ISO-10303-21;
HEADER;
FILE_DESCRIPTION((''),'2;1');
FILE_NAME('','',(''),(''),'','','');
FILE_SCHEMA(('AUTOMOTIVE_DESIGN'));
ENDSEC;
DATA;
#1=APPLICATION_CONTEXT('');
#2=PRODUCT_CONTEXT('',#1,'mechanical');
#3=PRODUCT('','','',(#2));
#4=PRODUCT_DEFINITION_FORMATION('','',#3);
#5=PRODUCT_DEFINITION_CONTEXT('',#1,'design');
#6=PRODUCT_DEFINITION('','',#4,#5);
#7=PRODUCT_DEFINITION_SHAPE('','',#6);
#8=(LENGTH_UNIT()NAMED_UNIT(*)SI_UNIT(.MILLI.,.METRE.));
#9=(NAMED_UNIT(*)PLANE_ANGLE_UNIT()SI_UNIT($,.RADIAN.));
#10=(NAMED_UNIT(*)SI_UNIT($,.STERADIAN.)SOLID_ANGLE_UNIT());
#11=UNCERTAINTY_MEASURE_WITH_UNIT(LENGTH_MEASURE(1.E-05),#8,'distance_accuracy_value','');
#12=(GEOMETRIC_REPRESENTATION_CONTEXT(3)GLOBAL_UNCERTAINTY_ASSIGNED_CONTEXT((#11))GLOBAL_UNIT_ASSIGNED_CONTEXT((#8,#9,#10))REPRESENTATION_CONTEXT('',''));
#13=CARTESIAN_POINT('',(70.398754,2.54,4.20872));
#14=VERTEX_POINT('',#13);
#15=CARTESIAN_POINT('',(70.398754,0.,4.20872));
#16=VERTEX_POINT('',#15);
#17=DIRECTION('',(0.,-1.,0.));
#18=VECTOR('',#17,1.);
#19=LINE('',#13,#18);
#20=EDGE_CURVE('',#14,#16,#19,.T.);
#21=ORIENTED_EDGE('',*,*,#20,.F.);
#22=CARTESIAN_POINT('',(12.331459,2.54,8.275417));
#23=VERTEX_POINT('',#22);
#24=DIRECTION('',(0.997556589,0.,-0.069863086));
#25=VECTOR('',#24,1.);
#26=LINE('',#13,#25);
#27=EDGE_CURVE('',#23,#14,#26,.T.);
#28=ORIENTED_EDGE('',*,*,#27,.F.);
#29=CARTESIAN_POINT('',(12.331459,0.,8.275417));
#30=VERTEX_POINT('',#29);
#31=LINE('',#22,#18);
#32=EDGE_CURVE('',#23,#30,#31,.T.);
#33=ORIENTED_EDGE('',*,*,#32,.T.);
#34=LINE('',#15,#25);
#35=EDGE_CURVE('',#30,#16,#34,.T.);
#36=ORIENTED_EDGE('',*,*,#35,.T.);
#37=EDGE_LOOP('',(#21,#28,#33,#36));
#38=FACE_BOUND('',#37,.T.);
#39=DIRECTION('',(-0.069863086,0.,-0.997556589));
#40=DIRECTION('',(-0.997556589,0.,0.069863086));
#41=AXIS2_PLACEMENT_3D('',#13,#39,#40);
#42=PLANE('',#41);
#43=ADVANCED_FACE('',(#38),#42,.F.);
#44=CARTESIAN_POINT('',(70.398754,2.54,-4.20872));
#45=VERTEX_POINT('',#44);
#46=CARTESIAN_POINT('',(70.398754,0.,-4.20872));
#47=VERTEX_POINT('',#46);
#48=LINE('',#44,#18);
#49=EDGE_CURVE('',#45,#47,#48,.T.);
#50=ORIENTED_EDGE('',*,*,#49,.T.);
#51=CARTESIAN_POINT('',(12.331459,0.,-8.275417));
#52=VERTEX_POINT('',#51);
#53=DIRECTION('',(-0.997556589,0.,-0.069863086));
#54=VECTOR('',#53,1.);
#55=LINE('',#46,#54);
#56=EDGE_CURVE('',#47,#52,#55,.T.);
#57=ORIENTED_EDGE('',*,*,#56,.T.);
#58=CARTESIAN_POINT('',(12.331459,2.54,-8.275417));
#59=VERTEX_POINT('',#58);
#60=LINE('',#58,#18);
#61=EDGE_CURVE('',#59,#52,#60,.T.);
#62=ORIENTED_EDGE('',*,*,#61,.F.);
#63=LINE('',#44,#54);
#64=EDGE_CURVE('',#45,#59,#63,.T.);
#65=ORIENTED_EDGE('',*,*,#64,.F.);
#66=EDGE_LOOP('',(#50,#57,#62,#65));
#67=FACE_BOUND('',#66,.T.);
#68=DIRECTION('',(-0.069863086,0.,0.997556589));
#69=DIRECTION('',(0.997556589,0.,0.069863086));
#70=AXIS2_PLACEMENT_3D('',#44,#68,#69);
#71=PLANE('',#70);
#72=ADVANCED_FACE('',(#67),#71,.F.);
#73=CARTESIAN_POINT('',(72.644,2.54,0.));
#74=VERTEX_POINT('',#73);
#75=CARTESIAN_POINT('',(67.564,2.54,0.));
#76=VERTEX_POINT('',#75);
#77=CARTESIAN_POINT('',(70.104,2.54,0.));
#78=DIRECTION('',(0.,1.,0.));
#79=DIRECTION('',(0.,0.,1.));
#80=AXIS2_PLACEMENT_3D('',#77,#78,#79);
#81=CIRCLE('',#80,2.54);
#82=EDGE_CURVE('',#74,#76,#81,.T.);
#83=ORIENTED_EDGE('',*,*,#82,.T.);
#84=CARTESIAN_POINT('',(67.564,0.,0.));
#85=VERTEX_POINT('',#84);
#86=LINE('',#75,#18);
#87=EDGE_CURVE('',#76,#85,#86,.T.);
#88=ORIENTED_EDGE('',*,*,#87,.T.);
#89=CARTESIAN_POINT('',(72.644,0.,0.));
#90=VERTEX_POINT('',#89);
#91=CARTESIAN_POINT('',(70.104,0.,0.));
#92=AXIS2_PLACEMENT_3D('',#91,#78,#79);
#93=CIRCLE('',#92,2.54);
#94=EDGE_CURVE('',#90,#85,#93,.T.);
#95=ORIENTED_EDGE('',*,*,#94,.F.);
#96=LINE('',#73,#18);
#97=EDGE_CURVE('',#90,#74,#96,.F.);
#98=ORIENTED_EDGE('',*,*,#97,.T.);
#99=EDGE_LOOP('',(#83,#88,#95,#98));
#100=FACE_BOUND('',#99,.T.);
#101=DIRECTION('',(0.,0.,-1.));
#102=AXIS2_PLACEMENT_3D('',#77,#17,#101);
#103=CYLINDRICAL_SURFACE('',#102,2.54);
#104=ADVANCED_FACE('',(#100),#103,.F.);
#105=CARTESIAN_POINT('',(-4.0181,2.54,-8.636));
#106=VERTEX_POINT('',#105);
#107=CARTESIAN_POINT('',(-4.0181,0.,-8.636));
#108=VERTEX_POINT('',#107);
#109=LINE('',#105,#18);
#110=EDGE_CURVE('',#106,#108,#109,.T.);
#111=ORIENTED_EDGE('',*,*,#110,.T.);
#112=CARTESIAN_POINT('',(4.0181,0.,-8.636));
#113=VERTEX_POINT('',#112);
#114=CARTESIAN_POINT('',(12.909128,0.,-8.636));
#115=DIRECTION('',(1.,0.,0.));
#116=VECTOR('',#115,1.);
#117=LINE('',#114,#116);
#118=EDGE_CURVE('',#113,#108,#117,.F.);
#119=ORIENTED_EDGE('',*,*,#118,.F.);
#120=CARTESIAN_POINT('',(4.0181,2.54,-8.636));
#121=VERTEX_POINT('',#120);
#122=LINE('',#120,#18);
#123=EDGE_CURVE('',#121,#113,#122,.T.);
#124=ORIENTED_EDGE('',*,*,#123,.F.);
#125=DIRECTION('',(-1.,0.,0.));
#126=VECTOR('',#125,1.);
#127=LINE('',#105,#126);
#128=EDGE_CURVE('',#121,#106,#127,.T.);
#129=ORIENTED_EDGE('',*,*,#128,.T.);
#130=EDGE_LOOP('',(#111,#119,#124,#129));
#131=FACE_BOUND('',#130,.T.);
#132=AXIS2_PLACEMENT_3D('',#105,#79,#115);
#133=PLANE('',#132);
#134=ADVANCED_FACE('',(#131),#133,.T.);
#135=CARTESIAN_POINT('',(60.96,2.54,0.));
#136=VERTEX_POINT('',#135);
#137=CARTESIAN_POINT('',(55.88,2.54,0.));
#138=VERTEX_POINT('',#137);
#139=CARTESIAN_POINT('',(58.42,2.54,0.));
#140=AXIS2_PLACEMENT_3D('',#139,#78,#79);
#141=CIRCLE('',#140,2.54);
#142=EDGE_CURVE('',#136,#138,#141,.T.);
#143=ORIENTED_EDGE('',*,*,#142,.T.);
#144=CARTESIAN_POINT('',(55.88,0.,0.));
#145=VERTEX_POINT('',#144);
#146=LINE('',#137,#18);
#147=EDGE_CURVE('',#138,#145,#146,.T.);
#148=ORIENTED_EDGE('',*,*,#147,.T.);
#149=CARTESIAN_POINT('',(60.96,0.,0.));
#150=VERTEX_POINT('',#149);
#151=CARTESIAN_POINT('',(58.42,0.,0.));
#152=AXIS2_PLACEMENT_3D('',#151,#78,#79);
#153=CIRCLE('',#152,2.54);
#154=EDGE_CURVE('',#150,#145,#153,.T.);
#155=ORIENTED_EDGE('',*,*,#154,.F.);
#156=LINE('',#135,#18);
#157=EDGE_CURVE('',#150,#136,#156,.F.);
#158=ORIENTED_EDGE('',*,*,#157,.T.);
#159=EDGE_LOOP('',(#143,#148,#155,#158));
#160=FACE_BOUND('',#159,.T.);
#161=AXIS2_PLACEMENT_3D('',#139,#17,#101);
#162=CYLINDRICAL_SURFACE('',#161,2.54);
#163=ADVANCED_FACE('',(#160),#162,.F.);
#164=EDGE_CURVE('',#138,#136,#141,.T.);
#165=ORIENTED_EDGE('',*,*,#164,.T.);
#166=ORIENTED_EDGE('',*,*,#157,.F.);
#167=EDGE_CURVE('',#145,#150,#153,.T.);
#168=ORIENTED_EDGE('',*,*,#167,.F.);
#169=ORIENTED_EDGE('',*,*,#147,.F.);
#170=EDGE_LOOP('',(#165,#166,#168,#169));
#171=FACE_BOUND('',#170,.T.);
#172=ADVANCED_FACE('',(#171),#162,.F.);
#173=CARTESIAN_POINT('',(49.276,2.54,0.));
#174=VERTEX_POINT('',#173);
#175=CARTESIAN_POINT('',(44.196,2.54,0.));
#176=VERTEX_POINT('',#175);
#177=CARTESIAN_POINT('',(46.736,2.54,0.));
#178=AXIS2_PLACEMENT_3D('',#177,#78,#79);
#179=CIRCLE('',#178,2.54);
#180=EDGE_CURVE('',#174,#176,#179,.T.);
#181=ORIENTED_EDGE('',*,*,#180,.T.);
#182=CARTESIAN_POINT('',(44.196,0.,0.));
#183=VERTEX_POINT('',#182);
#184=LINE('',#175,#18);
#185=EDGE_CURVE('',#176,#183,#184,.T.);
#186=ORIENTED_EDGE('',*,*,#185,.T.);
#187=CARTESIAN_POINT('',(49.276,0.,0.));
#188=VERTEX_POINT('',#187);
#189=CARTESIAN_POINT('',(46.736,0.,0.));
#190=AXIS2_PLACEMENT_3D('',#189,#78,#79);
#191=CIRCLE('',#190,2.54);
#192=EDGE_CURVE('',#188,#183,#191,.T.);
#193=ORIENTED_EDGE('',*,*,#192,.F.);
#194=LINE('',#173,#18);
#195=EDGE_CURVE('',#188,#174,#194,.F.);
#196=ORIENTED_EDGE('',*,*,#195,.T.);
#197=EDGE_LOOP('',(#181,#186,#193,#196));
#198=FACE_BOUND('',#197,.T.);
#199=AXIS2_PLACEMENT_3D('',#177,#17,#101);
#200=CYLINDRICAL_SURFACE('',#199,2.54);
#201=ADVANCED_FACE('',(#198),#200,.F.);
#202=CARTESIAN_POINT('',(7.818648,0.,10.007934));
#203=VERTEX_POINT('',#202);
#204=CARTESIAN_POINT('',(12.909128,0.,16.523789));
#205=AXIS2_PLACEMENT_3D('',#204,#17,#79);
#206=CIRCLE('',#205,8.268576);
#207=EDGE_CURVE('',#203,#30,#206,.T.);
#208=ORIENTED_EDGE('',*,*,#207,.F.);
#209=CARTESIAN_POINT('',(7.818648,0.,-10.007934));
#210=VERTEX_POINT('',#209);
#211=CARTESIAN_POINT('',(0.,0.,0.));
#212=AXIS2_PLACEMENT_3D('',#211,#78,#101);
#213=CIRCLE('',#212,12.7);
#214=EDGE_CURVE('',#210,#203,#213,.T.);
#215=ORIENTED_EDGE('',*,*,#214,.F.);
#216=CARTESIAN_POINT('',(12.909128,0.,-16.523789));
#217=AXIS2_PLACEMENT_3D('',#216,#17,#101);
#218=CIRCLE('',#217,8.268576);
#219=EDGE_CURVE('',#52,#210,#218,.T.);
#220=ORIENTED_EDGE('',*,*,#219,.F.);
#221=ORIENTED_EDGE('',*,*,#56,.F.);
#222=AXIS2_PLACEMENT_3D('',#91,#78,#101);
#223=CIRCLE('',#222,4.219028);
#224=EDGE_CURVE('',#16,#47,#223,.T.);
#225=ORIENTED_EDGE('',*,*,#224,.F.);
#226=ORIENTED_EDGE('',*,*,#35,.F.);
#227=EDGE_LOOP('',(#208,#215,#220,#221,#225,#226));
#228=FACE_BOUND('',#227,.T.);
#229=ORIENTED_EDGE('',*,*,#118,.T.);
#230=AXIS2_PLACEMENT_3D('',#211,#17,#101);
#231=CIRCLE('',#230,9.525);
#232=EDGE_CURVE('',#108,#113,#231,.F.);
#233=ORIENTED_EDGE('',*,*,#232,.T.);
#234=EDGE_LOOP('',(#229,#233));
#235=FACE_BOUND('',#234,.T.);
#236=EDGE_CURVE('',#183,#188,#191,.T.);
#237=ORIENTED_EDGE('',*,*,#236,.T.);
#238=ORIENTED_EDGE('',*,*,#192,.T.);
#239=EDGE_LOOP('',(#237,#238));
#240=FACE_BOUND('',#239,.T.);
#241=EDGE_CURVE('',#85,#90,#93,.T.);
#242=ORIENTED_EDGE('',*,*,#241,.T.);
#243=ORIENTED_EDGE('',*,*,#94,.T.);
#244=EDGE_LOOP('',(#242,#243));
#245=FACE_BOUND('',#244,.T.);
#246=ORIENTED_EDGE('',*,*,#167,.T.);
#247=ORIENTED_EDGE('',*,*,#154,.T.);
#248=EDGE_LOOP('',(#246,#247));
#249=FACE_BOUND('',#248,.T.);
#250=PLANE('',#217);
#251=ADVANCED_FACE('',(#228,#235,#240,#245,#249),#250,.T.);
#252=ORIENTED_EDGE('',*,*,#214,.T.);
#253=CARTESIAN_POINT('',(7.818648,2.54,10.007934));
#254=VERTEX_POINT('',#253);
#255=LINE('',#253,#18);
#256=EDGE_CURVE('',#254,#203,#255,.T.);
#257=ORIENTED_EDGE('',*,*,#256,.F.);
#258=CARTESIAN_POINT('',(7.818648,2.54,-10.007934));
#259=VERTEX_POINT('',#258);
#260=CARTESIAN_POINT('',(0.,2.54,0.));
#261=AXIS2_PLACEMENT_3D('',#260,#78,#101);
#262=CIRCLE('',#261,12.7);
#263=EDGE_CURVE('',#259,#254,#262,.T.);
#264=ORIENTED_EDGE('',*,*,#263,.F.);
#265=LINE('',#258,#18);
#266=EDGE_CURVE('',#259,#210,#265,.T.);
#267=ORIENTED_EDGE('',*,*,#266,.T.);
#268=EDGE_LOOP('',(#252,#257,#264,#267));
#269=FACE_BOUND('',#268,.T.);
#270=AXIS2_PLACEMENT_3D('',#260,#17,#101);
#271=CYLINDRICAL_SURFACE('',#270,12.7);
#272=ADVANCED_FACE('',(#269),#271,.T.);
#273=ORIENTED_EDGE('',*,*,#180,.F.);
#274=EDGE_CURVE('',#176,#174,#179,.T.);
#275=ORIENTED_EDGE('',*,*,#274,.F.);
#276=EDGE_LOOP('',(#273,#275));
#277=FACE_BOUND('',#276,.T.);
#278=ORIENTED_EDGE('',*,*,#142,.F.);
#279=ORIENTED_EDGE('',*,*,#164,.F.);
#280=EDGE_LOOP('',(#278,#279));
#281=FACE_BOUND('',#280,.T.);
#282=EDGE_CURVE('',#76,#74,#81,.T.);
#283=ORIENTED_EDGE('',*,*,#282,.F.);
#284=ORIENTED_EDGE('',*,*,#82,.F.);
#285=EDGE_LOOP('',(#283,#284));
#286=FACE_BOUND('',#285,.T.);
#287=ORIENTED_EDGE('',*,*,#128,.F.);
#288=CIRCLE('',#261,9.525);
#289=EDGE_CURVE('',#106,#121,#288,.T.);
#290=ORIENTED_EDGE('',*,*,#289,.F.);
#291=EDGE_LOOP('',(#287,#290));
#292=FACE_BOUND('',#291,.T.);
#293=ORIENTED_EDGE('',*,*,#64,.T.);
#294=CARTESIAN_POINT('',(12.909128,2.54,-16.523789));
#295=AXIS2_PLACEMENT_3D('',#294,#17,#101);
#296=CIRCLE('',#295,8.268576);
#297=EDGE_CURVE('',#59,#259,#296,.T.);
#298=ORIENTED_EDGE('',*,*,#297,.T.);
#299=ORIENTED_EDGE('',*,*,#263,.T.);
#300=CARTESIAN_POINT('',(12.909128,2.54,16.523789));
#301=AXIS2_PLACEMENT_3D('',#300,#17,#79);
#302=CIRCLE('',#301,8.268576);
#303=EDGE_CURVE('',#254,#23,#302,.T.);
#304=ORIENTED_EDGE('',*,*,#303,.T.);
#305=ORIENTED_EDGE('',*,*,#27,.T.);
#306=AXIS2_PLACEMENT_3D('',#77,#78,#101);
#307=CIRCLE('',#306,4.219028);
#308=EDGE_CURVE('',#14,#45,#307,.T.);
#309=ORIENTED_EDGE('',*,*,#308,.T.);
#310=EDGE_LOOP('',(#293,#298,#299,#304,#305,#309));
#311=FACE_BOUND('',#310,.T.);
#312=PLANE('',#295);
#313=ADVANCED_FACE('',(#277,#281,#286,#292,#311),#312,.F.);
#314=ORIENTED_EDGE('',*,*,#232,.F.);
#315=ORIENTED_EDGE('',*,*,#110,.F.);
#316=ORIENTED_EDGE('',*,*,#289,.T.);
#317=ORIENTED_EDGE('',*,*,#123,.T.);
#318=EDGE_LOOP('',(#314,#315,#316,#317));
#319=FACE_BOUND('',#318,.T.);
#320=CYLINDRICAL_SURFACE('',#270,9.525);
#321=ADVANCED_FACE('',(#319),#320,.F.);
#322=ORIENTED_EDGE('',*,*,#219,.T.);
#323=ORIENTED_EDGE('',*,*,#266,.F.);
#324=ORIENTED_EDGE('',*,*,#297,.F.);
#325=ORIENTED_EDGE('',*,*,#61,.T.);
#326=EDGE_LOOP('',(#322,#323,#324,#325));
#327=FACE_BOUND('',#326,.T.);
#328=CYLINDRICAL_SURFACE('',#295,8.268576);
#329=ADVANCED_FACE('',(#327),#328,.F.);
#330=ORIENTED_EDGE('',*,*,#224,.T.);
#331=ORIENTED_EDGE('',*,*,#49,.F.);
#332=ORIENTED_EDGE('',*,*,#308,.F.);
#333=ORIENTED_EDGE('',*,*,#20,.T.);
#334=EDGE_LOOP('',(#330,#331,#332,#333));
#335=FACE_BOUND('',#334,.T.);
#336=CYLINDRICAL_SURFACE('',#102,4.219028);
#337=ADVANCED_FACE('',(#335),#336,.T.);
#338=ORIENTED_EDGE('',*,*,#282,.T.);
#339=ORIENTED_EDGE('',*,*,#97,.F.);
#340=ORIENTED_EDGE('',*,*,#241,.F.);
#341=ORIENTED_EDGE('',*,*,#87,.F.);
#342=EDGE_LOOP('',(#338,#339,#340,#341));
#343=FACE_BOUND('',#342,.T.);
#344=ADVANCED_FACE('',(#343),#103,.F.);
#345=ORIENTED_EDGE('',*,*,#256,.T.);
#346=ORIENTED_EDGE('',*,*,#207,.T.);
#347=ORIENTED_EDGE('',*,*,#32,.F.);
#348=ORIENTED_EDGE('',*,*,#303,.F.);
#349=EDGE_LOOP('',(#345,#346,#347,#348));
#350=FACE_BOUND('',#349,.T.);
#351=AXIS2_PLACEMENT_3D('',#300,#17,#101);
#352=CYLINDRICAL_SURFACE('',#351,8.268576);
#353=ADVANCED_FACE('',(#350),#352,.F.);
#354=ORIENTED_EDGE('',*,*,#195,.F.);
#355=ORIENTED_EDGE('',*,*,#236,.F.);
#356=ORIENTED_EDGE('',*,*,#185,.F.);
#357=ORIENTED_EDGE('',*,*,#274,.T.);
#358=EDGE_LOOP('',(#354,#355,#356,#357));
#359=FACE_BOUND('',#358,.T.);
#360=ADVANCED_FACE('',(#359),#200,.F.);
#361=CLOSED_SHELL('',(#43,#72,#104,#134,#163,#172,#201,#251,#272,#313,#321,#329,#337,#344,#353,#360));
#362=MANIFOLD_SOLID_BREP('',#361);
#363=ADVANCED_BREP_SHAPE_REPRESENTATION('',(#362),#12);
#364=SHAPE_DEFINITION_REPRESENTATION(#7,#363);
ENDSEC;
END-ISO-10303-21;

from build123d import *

# Parameters (mm, degrees)
SKETCH1_R               = 2.54
BOSS_EXTRUDE1_DEPTH     = 2.54
CUT_EXTRUDE1_DEPTH      = 76.443052384
CUT_EXTRUDE1_DEPTH_BACK = 76.443052384


with BuildPart() as part:
    # Sketch1 → Boss-Extrude1 (new body)
    with BuildSketch(Plane(origin=(0, 0, 0), x_dir=(1, 0, 0), z_dir=(0, 1, 0))):
        with BuildLine():
            Line((70.398754346, 4.208719598), (12.331459303, 8.275416651))
            ThreePointArc((12.331459303, 8.275416651), (9.945619767, 8.804529388), (7.81864817, 10.007933893))
            ThreePointArc((7.81864817, 10.007933893), (-12.7, 0), (7.81864817, -10.007933893))
            ThreePointArc((7.81864817, -10.007933893), (9.945619767, -8.804529388), (12.331459303, -8.275416651))
            Line((12.331459303, -8.275416651), (70.398754346, -4.208719598))
            ThreePointArc((70.398754346, -4.208719598), (74.323028417, 0), (70.398754346, 4.208719598))
        make_face()
        with Locations(Location((70.104, 0, 0), (0, 0, 270))):
            Circle(SKETCH1_R, mode=Mode.SUBTRACT)
        with Locations(Location((58.42, 0, 0), (0, 0, 270))):
            Circle(SKETCH1_R, mode=Mode.SUBTRACT)
        with Locations(Location((46.736, 0, 0), (0, 0, 270))):
            Circle(SKETCH1_R, mode=Mode.SUBTRACT)
    extrude(amount=BOSS_EXTRUDE1_DEPTH)

    # Sketch3 → Cut-Extrude1 (cut, two sides: drawn at the far end of the back side and taken through both)
    with BuildSketch(Plane(origin=(0, 0, 0), x_dir=(1, 0, 0), z_dir=(0, 1, 0)).offset(-CUT_EXTRUDE1_DEPTH_BACK)):
        with BuildLine():
            Line((-4.018100173, 8.636), (4.018100173, 8.636))
            ThreePointArc((4.018100173, 8.636), (0, -9.525), (-4.018100173, 8.636))
        make_face()
    extrude(amount=CUT_EXTRUDE1_DEPTH + CUT_EXTRUDE1_DEPTH_BACK, mode=Mode.SUBTRACT)


solid = part.part
